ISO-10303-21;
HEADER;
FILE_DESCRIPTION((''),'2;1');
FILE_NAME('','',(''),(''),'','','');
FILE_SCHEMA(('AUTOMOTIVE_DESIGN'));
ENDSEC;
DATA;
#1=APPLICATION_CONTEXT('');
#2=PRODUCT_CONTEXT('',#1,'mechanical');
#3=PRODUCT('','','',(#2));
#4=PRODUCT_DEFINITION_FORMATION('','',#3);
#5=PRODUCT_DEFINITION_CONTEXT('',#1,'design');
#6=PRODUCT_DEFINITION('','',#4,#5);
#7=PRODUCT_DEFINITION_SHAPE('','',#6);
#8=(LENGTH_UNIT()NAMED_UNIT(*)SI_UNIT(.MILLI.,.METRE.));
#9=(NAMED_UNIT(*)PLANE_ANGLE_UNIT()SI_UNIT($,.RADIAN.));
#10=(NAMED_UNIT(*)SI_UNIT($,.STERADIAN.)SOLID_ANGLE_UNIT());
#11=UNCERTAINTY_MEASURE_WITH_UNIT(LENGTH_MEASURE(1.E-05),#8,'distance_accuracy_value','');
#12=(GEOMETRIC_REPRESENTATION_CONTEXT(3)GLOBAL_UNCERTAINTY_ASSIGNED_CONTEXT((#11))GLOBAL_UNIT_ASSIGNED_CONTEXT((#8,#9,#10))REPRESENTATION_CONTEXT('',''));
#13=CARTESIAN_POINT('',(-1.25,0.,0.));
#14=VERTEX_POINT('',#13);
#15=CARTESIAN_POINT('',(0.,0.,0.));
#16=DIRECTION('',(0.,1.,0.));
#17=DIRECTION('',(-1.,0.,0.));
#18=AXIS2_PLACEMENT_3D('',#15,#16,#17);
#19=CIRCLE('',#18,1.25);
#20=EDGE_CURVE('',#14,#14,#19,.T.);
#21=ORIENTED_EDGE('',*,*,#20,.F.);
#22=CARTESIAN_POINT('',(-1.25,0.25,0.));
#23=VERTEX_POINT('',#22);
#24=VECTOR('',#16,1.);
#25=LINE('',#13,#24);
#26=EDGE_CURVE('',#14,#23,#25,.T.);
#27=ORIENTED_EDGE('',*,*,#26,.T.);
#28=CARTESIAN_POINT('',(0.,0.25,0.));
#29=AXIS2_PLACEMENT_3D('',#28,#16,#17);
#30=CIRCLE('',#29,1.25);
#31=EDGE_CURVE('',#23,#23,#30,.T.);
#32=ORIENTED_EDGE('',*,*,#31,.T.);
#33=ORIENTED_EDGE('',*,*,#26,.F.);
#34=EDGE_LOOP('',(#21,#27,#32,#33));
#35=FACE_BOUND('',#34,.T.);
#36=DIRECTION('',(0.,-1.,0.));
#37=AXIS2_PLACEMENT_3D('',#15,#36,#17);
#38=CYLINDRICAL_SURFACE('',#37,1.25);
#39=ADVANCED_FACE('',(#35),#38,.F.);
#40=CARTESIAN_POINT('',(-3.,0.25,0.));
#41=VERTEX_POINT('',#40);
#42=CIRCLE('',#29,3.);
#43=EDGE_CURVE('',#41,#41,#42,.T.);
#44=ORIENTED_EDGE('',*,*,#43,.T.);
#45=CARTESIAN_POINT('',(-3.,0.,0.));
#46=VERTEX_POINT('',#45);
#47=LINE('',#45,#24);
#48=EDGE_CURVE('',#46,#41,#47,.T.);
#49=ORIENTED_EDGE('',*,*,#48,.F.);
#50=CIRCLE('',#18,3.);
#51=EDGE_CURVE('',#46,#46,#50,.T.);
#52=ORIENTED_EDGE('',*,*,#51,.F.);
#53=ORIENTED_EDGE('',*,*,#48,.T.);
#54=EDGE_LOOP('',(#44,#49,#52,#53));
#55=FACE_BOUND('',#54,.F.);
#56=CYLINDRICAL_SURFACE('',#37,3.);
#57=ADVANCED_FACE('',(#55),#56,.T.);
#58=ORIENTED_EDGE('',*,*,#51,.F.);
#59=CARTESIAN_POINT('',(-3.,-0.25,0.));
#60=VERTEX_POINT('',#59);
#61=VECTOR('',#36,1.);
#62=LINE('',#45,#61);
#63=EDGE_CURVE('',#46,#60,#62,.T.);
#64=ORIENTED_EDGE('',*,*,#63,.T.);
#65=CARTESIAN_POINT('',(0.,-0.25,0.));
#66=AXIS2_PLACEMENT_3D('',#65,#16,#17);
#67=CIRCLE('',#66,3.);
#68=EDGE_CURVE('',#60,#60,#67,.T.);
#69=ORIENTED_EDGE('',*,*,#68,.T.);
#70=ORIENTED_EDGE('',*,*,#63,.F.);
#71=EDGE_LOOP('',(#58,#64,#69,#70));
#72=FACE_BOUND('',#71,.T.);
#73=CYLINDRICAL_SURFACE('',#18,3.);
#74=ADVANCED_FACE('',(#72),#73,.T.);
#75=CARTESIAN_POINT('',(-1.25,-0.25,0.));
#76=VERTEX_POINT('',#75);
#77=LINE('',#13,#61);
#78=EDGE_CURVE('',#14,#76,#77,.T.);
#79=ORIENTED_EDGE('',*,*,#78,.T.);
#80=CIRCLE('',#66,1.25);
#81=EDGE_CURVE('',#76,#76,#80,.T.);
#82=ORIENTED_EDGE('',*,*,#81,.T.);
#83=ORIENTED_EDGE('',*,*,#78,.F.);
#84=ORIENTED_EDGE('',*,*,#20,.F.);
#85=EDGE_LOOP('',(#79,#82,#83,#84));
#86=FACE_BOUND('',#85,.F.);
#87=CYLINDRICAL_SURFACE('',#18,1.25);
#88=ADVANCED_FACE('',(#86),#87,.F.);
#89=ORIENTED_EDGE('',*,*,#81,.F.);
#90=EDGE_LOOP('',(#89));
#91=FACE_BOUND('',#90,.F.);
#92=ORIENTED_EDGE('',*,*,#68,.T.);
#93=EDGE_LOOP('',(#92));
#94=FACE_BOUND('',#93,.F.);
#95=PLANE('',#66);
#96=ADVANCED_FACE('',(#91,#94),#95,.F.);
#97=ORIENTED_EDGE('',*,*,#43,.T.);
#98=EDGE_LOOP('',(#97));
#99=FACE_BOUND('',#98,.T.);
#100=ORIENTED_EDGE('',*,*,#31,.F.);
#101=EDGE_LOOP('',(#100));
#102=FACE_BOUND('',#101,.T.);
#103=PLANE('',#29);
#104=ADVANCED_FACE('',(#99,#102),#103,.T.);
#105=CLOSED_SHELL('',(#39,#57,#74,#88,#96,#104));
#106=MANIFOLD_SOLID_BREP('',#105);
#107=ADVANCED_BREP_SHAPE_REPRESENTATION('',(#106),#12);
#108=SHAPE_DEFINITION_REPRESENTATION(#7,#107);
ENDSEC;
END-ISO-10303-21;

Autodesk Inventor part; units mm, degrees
ref_plane "YZ Plane" through (0, 0, 0) normal (1, 0, 0) x (0, 1, 0)
ref_plane "XZ Plane" through (0, 0, 0) normal (0, 1, 0) x (-1, 0, 0)
ref_plane "XY Plane" through (0, 0, 0) normal (0, 0, 1) x (1, 0, 0)
sketch "Schizzo1" plane through (0, 0, 0) normal (0, 1, 0) x (-1, 0, 0)
  circle A0 centre (0, 0) radius 3
  circle A1 centre (0, 0) radius 1.25
  dimension "d0" = 6
  dimension "d1" = 2.5
extrude "Estrusione1" add sketch "Schizzo1" along normal mid plane 0.5
equation "\"d0\" = od"
equation "\"d1\" = d"
equation "\"d2\" = spess"
equation "\"d\" = 2.5"
equation "\"od\" = 6"
equation "\"spess\" = 0.5"
properties part number "Rondella"
